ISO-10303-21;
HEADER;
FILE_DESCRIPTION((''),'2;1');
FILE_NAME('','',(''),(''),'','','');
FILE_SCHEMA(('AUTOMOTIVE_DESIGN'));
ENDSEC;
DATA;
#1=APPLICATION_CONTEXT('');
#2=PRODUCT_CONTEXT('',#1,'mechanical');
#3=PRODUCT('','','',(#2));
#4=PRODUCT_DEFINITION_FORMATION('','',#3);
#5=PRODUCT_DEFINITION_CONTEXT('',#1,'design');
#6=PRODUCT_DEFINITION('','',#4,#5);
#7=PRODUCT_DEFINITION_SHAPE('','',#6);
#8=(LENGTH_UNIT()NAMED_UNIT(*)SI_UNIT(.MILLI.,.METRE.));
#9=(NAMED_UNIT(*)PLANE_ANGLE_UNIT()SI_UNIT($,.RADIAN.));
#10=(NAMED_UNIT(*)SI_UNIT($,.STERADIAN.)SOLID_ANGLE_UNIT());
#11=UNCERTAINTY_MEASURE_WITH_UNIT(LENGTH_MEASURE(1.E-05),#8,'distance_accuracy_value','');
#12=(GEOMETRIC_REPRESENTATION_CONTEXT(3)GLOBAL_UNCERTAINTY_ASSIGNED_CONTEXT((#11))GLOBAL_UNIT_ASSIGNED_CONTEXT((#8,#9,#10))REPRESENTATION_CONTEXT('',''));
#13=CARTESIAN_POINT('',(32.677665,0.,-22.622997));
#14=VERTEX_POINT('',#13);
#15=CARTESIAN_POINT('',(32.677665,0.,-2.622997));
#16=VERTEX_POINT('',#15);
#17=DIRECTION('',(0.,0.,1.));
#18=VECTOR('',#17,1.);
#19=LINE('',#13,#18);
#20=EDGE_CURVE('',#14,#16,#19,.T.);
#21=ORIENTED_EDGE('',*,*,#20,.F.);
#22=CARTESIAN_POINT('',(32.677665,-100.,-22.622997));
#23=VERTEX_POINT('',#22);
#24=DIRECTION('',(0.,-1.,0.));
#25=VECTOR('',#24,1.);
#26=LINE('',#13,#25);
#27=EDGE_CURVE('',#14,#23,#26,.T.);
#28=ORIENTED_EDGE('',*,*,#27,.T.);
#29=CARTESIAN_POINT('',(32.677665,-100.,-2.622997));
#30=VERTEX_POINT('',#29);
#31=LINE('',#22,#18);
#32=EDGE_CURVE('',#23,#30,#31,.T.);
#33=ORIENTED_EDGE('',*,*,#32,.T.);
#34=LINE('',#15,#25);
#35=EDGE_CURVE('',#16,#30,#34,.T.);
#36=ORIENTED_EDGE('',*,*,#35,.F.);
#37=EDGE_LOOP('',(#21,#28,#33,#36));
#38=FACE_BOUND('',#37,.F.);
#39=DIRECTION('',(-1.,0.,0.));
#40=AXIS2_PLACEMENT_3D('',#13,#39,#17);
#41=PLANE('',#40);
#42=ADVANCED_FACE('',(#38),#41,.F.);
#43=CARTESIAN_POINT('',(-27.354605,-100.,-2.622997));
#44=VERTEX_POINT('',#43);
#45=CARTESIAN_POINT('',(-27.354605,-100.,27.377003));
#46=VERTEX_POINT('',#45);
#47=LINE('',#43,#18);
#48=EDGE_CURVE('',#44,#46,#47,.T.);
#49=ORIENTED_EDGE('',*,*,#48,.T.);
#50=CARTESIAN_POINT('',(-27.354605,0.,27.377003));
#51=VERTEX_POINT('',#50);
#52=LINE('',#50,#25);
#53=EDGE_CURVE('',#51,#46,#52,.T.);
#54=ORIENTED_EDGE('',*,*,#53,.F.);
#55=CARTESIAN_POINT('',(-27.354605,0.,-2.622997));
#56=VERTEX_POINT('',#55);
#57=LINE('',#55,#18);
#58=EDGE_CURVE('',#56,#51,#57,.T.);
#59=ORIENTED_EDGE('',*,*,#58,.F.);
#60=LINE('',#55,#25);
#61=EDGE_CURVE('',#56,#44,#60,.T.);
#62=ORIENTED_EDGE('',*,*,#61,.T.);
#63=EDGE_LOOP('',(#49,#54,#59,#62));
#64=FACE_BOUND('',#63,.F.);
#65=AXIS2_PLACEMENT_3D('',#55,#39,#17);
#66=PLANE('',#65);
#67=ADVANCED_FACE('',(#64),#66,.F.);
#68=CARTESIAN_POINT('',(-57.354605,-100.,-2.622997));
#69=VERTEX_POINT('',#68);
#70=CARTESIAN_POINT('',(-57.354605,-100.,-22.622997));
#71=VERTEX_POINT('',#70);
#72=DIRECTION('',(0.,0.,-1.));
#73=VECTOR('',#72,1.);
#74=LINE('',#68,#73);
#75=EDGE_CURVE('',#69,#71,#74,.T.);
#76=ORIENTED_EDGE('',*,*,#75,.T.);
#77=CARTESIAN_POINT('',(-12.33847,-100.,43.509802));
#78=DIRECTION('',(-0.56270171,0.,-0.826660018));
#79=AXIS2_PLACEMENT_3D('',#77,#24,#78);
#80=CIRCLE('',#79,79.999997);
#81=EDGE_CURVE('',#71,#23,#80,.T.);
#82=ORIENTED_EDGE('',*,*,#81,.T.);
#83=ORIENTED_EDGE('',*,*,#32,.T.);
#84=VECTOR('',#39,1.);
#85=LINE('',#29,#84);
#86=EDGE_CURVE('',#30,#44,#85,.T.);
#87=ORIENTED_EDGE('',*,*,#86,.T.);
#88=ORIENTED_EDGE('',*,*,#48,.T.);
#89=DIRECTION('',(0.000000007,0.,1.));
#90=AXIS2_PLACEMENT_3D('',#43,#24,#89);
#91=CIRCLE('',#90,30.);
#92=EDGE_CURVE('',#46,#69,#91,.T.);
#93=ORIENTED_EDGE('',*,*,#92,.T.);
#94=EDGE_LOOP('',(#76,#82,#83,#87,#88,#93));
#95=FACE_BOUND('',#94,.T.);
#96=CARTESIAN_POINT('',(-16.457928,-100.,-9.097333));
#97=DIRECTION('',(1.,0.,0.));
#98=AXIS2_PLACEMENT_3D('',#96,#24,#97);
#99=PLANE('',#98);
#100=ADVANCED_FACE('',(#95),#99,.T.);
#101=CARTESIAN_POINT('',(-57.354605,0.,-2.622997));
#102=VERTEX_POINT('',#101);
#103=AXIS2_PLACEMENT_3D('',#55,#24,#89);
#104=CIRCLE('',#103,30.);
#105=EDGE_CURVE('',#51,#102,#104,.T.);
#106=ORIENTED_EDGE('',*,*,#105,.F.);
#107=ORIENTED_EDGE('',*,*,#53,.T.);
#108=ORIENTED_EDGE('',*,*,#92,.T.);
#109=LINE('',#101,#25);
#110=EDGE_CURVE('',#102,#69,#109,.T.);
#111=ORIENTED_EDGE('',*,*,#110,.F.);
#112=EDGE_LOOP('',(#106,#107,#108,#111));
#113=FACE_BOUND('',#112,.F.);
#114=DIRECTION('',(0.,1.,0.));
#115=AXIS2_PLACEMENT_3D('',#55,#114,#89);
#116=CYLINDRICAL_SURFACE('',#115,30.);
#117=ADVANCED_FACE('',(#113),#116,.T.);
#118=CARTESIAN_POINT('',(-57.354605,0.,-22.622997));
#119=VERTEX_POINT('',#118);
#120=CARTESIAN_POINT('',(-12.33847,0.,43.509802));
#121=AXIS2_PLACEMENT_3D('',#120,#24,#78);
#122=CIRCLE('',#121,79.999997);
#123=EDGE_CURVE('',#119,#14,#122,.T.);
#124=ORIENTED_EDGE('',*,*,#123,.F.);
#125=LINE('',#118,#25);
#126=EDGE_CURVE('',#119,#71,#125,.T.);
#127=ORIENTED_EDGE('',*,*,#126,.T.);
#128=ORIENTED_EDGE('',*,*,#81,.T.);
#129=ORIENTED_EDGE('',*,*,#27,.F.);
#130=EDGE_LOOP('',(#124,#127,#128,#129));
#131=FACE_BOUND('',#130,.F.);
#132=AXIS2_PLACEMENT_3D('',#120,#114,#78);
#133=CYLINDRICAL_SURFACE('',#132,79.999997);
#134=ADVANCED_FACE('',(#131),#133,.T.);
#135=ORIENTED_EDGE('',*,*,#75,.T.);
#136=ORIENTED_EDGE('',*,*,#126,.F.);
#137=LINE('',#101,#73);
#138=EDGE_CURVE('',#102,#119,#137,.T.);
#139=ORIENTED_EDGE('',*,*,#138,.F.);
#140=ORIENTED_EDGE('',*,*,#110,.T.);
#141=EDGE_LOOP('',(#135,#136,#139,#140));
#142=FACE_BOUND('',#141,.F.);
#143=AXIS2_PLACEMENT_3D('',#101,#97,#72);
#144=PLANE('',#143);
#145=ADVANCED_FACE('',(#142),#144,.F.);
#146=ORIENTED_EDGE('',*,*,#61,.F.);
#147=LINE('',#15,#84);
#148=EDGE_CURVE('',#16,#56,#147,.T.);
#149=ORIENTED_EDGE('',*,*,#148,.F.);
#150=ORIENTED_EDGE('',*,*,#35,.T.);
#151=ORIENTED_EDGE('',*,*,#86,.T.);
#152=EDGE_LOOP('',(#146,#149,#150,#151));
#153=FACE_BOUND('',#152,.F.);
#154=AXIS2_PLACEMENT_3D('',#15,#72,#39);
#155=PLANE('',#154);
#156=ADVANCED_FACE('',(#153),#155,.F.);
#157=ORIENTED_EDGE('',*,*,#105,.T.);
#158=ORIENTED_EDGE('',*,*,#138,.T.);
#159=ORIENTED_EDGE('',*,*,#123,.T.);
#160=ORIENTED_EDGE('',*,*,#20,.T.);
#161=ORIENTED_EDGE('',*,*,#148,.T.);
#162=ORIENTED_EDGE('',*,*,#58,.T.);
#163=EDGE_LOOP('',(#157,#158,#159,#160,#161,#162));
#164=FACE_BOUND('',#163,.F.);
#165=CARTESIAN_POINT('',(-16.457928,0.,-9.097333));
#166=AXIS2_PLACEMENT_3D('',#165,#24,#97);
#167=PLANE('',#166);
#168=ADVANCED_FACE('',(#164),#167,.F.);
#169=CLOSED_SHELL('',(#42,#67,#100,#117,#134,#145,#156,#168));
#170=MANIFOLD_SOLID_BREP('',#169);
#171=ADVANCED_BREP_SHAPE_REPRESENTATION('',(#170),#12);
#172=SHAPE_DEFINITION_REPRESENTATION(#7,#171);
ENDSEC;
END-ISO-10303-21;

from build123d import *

# Parameters (mm, degrees)
F1_DEPTH = 100


with BuildPart() as f1:
    # F0 (on Front) → F1 (new body)
    with BuildSketch(Plane.XZ):
        with BuildLine():
            ThreePointArc((-57.354605, -22.622997), (-12.33847, -36.490195), (32.677665, -22.622997))
            Line((32.677665, -22.622997), (32.677665, -2.622997))
            Line((32.677665, -2.622997), (-27.354605, -2.622997))
            Line((-27.354605, -2.622997), (-27.354605, 27.377003))
            ThreePointArc((-27.354605, 27.377003), (-48.567809, 18.590206), (-57.354605, -2.622997))
            Line((-57.354605, -2.622997), (-57.354605, -22.622997))
        make_face()
    extrude(amount=F1_DEPTH)


solid = f1.part
